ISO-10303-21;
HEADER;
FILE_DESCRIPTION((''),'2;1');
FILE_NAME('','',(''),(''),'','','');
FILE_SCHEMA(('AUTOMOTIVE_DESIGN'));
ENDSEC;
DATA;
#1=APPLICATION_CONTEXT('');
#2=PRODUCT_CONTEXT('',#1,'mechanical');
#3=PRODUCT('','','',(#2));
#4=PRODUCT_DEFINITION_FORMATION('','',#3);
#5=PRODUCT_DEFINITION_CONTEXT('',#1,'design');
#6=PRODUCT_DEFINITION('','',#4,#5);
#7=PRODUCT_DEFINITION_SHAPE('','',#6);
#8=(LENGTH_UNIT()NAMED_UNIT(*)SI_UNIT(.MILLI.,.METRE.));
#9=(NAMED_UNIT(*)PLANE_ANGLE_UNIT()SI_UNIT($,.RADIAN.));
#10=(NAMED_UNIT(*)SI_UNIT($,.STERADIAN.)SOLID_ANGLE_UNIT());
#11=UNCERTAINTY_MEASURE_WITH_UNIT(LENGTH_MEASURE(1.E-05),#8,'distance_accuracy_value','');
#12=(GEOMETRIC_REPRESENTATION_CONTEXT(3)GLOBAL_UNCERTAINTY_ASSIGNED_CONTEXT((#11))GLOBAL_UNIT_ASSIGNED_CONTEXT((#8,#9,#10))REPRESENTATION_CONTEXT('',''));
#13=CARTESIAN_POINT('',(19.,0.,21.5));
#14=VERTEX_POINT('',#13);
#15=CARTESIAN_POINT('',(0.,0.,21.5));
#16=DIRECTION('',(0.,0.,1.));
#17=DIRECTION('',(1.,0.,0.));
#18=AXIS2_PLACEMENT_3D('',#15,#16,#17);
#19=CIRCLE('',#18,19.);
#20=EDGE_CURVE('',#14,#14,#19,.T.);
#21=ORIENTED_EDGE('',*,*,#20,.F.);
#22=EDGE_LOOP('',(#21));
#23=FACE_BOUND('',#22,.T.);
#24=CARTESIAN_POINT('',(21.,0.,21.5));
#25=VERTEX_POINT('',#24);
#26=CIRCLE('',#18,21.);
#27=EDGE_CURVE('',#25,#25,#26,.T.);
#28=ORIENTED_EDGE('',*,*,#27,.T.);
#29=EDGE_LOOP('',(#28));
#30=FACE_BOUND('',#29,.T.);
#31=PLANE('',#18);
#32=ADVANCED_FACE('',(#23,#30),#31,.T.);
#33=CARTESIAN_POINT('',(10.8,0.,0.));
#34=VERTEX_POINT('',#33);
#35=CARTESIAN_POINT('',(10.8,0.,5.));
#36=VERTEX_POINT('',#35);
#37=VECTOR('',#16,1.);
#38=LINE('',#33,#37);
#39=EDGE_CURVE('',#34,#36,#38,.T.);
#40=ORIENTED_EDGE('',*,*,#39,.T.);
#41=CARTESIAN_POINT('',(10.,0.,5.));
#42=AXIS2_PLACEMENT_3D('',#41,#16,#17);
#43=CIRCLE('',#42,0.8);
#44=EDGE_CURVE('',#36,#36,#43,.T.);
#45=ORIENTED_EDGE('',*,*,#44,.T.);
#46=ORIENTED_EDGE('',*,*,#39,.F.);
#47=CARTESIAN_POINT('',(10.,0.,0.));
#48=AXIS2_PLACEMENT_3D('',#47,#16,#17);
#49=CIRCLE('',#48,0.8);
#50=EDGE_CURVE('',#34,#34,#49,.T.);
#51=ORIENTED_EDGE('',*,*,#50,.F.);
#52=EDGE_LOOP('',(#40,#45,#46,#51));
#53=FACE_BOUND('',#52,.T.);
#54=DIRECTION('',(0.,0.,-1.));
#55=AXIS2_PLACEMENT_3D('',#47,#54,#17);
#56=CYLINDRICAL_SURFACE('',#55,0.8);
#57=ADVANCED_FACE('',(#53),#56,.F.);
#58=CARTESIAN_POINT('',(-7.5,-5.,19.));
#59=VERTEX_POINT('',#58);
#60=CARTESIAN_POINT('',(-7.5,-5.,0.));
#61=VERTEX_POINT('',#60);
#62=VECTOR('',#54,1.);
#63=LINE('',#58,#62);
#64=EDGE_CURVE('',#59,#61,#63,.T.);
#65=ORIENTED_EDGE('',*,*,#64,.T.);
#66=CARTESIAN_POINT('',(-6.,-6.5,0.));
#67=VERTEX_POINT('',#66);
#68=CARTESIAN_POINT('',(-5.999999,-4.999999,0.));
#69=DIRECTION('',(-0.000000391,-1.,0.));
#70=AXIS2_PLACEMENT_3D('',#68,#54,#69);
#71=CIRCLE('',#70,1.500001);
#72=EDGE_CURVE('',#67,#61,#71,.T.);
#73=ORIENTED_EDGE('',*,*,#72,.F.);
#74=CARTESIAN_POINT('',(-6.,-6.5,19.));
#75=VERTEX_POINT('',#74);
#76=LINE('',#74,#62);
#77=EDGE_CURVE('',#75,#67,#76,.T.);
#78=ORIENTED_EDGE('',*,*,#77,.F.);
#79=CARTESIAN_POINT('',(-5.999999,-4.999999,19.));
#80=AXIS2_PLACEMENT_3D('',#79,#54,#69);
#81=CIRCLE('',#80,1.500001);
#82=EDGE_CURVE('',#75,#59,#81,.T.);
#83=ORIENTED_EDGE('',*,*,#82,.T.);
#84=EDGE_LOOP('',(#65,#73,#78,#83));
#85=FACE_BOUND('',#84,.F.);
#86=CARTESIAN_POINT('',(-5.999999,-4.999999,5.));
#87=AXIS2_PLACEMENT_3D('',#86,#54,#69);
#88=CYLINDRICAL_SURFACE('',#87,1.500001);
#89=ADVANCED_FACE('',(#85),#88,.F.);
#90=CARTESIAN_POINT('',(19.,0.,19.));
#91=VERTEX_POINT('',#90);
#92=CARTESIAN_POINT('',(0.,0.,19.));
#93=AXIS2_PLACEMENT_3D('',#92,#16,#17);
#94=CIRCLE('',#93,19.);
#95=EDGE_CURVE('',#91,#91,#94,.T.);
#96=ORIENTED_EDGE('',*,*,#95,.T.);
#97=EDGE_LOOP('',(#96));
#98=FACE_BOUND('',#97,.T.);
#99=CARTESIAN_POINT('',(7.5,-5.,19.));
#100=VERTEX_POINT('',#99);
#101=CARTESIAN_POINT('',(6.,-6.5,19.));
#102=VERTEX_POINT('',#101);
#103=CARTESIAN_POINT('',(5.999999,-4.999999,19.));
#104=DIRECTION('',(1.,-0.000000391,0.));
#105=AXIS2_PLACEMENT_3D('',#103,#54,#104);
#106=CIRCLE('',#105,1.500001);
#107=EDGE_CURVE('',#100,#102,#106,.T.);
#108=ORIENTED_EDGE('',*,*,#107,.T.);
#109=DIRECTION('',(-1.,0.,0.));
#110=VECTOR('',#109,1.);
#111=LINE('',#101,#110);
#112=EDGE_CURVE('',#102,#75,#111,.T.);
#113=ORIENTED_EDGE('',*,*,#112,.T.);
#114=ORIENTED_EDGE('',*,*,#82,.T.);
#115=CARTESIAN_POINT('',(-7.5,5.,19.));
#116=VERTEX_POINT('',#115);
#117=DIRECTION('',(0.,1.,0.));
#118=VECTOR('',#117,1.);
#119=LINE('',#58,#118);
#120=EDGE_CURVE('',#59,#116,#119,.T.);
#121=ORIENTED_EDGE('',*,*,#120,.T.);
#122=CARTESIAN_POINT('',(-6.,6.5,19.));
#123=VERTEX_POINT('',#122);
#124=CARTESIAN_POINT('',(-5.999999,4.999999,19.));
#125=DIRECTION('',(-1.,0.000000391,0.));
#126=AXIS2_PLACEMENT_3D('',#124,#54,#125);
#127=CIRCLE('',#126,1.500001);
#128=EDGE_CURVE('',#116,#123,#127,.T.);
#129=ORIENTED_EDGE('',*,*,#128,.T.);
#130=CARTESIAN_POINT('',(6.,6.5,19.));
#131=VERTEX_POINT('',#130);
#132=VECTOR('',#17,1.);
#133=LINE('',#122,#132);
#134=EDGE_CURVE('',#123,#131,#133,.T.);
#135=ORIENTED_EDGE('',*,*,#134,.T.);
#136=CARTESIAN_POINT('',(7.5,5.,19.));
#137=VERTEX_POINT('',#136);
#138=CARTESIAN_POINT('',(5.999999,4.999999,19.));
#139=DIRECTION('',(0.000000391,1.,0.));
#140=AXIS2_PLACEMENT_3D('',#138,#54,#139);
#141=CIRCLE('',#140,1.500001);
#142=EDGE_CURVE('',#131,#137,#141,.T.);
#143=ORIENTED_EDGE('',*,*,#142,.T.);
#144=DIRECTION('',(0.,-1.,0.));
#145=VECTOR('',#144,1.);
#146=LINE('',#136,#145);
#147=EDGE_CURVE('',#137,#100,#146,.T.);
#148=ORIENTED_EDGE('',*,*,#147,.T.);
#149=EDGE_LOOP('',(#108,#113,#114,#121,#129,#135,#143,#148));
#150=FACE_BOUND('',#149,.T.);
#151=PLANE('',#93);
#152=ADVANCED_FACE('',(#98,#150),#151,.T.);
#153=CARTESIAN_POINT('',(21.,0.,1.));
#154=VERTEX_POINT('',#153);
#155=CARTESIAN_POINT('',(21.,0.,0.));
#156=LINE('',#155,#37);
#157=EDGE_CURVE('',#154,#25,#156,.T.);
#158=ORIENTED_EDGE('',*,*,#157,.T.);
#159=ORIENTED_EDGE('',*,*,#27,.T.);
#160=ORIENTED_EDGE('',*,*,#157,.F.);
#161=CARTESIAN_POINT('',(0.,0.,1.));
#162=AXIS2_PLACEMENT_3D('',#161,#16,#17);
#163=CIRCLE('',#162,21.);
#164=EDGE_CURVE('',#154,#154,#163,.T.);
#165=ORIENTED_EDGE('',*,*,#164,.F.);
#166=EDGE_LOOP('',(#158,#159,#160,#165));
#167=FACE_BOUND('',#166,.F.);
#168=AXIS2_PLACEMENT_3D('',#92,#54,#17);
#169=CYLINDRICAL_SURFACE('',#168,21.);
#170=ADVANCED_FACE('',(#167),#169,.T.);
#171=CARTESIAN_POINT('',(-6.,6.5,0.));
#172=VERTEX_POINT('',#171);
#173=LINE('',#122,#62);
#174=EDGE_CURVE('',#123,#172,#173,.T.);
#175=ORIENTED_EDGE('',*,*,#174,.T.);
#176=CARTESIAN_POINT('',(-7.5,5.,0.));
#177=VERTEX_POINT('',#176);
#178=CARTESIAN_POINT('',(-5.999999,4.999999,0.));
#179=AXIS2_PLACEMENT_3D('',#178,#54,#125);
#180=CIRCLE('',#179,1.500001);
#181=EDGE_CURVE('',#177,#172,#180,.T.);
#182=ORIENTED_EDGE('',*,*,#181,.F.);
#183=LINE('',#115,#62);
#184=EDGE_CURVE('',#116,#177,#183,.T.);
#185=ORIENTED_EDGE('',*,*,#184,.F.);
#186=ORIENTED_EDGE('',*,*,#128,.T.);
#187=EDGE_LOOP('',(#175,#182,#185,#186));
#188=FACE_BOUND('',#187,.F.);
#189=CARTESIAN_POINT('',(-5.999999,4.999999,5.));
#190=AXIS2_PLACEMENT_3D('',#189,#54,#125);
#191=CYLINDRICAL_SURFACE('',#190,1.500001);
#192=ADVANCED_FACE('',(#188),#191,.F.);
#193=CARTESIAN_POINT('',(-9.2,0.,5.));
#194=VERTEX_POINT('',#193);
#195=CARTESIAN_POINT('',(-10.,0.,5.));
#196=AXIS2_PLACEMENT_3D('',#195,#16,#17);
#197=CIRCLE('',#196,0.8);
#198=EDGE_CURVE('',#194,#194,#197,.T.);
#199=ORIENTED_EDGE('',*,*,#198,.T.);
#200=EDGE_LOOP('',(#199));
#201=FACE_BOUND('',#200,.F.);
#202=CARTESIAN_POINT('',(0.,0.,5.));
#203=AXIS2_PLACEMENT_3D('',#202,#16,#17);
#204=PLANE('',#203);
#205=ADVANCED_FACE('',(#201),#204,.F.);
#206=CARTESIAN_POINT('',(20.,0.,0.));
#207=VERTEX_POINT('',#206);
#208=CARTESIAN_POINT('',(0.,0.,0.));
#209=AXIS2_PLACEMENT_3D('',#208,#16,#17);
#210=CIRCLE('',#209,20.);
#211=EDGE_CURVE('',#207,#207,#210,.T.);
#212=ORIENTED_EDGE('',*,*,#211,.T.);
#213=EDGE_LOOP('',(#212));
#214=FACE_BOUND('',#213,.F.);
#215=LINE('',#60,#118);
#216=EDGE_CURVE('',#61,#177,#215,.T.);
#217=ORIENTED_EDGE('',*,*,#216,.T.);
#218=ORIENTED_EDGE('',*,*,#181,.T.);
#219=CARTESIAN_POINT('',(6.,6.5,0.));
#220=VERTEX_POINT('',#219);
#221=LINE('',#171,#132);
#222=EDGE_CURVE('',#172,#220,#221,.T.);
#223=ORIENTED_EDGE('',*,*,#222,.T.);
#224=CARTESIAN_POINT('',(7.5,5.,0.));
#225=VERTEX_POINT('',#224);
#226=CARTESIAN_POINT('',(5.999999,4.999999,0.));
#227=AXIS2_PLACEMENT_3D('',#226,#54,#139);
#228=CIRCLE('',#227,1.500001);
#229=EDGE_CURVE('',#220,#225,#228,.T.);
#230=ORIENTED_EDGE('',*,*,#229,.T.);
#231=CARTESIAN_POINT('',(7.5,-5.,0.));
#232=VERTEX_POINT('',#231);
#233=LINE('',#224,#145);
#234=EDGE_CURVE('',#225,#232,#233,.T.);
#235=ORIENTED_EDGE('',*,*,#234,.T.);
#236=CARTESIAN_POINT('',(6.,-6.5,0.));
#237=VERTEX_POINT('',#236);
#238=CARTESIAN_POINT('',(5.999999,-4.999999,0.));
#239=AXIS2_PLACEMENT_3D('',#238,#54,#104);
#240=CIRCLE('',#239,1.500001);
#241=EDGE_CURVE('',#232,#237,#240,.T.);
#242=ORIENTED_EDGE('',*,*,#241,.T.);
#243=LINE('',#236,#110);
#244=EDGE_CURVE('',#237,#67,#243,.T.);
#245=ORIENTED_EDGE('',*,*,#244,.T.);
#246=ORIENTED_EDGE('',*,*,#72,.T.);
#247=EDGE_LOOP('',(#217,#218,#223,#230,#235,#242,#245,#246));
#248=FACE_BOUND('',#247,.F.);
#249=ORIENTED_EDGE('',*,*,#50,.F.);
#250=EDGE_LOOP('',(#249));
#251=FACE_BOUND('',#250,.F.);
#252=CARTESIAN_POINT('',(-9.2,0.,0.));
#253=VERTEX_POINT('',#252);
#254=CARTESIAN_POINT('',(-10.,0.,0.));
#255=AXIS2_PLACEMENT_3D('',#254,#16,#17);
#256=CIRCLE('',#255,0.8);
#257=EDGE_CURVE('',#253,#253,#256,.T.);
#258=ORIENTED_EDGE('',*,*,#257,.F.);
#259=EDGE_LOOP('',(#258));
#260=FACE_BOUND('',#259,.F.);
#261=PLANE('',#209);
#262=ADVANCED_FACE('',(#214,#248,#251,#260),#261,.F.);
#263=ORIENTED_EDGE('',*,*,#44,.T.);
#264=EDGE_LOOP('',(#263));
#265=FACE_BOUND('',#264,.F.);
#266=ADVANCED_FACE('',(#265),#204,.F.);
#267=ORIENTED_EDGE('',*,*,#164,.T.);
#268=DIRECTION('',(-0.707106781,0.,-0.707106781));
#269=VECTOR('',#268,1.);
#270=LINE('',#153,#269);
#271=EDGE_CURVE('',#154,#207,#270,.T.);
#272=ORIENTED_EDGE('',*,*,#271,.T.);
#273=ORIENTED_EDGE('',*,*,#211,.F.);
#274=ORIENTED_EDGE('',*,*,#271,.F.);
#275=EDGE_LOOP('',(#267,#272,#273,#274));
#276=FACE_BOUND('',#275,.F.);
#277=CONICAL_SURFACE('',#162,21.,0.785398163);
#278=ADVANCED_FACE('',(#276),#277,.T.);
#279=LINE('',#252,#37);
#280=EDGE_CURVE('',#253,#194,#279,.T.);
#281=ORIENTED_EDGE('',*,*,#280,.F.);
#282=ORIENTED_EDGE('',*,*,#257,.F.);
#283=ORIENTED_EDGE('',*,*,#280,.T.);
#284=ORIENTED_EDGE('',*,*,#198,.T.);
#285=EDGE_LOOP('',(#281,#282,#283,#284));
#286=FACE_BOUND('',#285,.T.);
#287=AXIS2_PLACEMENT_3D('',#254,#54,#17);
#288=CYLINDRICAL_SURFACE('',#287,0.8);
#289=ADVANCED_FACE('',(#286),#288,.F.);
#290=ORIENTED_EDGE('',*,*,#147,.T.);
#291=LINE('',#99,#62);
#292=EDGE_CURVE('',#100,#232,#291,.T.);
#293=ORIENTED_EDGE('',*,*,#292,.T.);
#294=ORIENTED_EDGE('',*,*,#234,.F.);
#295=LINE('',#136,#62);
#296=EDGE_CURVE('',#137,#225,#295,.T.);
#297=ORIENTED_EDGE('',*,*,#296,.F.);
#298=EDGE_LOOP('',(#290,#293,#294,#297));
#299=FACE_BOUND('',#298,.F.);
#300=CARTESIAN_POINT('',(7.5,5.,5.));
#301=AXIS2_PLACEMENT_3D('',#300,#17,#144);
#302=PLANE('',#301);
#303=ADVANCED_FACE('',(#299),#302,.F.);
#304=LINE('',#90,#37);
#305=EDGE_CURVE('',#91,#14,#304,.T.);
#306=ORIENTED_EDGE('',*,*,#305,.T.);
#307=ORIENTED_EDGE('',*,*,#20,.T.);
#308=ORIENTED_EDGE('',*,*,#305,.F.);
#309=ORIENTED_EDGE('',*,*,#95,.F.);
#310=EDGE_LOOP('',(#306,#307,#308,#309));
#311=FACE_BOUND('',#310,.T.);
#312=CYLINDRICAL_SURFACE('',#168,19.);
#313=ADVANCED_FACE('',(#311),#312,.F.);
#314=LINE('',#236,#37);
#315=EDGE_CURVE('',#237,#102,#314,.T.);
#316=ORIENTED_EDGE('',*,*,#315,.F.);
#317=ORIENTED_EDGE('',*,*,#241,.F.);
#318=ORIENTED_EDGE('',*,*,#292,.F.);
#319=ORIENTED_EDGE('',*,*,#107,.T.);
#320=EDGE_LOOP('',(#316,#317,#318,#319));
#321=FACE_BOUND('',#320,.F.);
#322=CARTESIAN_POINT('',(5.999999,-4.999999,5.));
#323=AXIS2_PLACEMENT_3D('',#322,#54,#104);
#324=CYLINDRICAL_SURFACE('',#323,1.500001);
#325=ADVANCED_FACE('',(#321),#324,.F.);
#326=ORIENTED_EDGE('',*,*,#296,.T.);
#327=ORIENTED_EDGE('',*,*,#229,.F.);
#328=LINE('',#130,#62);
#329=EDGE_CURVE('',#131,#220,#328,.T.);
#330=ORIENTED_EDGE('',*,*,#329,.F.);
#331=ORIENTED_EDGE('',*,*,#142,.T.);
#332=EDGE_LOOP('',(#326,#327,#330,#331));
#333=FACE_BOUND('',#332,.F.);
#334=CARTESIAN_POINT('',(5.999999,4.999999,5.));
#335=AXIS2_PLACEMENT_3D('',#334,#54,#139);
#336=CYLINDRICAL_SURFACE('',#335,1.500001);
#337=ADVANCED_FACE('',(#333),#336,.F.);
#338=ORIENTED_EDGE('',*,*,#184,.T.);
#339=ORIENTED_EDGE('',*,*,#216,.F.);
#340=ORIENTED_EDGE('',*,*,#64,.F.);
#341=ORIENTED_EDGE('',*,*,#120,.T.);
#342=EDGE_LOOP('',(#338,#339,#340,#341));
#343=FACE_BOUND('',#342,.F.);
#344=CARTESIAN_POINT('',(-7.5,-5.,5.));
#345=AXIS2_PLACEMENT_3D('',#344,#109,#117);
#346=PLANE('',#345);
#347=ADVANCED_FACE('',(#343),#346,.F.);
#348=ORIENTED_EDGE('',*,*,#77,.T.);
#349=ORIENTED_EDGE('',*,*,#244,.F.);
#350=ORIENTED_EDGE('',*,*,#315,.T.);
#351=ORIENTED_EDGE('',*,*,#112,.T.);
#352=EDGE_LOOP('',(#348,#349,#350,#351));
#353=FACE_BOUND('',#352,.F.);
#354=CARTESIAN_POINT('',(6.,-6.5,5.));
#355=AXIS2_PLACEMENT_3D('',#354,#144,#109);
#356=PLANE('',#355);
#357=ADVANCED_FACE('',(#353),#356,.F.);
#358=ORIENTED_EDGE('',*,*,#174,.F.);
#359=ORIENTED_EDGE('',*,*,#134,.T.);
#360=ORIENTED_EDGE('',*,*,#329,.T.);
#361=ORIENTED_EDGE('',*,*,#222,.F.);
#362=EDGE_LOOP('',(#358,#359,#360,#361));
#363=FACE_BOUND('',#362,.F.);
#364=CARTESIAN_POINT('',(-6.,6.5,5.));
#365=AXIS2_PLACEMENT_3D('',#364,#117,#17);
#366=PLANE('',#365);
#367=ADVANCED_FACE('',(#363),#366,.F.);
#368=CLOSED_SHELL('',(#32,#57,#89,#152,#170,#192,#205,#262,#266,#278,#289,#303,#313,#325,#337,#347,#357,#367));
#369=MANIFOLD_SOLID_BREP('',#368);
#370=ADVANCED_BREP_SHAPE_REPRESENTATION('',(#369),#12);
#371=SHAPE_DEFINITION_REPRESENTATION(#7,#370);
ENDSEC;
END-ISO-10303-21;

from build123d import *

# Parameters (mm, degrees)
F0_R     = 21
F0_R_2   = 0.8
F1_DEPTH = 5
F2_R     = 21
F3_DEPTH = 14
F4_R     = 21
F4_R_2   = 19
F5_DEPTH = 2.5
F6_SIZE  = 1


with BuildPart() as f1:
    # F0 (on Top) → F1 (new body)
    with BuildSketch(Plane.XY):
        Circle(F0_R)
        with Locations((-10, 0)):
            Circle(F0_R_2, mode=Mode.SUBTRACT)
        with BuildLine():
            Line((6, -6.5), (-6, -6.5))
            ThreePointArc((-6, -6.5), (-7.06066, -6.06066), (-7.5, -5))
            Line((-7.5, -5), (-7.5, 5))
            ThreePointArc((-7.5, 5), (-7.06066, 6.06066), (-6, 6.5))
            Line((-6, 6.5), (6, 6.5))
            ThreePointArc((6, 6.5), (7.06066, 6.06066), (7.5, 5))
            Line((7.5, 5), (7.5, -5))
            ThreePointArc((7.5, -5), (7.06066, -6.06066), (6, -6.5))
        make_face(mode=Mode.SUBTRACT)
        with Locations((10, 0)):
            Circle(F0_R_2, mode=Mode.SUBTRACT)
    extrude(amount=F1_DEPTH)

    # F2 (on face) → F3 (join)
    with BuildSketch(Plane.XY.offset(5)):
        Circle(F2_R)
        with BuildLine():
            Line((6, -6.5), (-6, -6.5))
            ThreePointArc((-6, -6.5), (-7.06066, -6.06066), (-7.5, -5))
            Line((-7.5, -5), (-7.5, 5))
            ThreePointArc((-7.5, 5), (-7.06066, 6.06066), (-6, 6.5))
            Line((-6, 6.5), (6, 6.5))
            ThreePointArc((6, 6.5), (7.06066, 6.06066), (7.5, 5))
            Line((7.5, 5), (7.5, -5))
            ThreePointArc((7.5, -5), (7.06066, -6.06066), (6, -6.5))
        make_face(mode=Mode.SUBTRACT)
    extrude(amount=F3_DEPTH)

    # F4 (on face) → F5 (join)
    with BuildSketch(Plane.XY.offset(19)):
        Circle(F4_R)
        Circle(F4_R_2, mode=Mode.SUBTRACT)
    extrude(amount=F5_DEPTH)

    # F6
    f6_edges = [f1.edges().sort_by_distance(p)[0] for p in [
        (-21, 0, 0),
    ]]
    chamfer(f6_edges, length=F6_SIZE)


solid = f1.part
